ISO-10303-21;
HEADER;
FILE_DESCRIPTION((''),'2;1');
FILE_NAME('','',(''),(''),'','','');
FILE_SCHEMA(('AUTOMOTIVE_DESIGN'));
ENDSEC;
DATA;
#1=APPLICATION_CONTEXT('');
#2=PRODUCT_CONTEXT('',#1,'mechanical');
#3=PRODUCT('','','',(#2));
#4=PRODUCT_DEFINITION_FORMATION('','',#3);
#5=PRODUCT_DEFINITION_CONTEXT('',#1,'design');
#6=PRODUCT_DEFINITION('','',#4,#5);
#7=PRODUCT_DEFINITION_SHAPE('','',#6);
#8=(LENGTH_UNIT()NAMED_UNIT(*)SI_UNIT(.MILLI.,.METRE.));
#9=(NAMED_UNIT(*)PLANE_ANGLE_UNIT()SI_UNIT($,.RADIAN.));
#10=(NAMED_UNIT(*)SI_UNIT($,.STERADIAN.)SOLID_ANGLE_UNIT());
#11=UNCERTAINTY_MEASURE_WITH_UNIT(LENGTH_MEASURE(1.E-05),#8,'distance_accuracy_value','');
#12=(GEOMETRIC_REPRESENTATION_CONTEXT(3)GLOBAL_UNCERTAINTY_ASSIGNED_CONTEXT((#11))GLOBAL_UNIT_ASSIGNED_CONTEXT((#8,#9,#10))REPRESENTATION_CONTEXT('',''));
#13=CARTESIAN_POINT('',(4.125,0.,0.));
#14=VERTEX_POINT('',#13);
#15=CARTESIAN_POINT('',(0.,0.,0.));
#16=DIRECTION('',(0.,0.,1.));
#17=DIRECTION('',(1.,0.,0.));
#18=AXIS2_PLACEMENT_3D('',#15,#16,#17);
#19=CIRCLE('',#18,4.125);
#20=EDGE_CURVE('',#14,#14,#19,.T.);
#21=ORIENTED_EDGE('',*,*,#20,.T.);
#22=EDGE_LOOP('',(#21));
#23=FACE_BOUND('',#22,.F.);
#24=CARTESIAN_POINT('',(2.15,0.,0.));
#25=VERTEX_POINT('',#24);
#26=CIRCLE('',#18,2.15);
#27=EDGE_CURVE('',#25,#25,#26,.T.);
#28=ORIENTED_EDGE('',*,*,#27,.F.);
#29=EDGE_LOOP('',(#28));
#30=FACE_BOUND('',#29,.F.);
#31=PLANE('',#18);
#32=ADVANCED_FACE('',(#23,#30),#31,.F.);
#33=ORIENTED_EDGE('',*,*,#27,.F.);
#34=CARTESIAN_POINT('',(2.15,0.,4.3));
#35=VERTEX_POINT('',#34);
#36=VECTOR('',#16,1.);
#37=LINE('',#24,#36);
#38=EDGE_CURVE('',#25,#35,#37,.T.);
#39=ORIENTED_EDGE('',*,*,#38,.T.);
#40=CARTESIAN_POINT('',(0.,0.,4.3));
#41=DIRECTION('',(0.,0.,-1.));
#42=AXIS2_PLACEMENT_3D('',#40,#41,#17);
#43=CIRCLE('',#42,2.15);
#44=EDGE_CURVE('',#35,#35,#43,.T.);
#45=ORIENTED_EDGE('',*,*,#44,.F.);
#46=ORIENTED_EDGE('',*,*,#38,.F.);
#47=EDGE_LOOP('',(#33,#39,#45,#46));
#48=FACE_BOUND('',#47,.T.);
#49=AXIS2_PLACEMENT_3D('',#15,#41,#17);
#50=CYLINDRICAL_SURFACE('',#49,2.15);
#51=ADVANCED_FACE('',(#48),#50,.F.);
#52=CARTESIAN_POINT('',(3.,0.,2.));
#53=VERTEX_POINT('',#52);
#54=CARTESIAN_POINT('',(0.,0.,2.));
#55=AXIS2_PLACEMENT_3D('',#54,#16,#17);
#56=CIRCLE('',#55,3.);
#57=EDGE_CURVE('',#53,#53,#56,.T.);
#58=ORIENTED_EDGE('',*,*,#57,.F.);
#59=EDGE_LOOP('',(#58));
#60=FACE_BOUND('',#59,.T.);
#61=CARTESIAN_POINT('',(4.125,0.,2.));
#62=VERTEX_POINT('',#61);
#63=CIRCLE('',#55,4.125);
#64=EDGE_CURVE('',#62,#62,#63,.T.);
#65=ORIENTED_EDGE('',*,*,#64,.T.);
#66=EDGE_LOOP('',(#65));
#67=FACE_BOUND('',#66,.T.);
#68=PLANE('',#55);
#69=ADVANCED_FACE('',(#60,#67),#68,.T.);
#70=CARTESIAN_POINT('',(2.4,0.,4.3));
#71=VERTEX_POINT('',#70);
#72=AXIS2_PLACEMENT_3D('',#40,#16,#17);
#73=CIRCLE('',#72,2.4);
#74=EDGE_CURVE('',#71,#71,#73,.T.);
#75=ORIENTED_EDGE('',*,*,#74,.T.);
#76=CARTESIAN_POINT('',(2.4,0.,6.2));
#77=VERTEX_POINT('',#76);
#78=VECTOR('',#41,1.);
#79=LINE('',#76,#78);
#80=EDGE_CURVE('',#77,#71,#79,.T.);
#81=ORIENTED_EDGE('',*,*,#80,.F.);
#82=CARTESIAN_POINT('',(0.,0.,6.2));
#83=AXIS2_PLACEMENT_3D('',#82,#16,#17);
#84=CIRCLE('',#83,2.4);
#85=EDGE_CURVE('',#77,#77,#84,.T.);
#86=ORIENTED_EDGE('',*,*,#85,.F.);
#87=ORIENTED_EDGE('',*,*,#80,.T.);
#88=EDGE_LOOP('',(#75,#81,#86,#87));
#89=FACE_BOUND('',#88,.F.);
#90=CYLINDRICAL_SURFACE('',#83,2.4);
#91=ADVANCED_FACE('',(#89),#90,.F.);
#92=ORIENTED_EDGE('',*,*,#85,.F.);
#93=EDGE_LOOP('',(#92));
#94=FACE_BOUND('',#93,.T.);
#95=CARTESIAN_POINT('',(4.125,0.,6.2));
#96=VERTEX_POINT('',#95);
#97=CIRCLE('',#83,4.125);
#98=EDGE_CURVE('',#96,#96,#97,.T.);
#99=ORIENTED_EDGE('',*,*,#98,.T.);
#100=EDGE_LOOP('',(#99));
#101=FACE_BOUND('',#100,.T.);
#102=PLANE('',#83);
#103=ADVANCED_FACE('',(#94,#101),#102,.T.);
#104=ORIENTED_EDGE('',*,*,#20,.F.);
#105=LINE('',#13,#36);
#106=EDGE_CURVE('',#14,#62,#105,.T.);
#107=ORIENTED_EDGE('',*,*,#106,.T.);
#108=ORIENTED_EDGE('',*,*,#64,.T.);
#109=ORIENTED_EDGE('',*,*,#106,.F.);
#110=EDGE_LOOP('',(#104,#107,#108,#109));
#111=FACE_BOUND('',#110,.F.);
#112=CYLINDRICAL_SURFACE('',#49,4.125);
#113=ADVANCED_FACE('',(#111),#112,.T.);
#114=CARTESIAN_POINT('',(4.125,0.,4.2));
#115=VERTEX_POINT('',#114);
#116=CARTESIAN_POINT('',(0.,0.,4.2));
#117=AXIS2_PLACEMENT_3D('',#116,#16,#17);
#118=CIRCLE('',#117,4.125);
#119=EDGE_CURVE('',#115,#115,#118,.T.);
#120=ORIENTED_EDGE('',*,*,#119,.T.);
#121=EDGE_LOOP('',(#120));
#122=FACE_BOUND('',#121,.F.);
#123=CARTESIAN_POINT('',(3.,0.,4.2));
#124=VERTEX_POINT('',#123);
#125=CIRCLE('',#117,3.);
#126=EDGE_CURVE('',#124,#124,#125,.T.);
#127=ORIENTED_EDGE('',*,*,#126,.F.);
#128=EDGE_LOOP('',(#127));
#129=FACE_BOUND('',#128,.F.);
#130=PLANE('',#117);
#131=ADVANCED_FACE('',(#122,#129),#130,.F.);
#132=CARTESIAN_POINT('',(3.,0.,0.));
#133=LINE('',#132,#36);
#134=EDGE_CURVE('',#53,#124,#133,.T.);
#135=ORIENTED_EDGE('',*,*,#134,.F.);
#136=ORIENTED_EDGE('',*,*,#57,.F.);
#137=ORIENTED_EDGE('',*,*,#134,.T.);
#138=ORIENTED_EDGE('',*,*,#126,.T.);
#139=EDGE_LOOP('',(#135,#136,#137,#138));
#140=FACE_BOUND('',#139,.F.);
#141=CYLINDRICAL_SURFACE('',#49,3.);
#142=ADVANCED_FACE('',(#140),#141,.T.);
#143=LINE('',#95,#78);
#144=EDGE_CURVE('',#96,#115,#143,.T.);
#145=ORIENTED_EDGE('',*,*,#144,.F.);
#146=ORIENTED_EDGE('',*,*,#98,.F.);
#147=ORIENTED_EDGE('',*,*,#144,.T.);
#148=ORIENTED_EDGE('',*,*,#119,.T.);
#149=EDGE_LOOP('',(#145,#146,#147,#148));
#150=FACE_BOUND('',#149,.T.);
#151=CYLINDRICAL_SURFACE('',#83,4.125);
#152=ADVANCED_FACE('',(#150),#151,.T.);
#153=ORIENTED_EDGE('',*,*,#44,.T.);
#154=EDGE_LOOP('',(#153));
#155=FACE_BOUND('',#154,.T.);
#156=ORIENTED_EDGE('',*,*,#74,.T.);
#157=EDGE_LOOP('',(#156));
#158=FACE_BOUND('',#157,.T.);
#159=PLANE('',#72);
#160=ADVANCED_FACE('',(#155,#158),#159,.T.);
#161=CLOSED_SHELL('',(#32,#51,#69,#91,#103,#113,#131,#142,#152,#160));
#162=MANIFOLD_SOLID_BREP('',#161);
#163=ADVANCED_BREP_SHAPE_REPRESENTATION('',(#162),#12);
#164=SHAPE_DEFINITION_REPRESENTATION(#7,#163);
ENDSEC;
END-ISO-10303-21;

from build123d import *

# Parameters (mm, degrees)
F0_R     = 4.125
F0_R_2   = 3
F1_DEPTH = 2
F0_R_3   = 2.15
F2_DEPTH = 6.2
F3_R     = 4.125
F3_R_2   = 3
F4_DEPTH = 2
F3_R_3   = 2.4
F3_R_4   = 2.15
F5_DEPTH = 1.9


with BuildPart() as f1:
    # F0 (on Top) → F1 (new body)
    with BuildSketch(Plane.XY):
        Circle(F0_R)
        Circle(F0_R_2, mode=Mode.SUBTRACT)
    extrude(amount=F1_DEPTH)

    # F0 (on Top) → F2 (join)
    with BuildSketch(Plane.XY):
        Circle(F0_R_2)
        Circle(F0_R_3, mode=Mode.SUBTRACT)
    extrude(amount=F2_DEPTH)

    # F3 (on face) → F4 (join)
    with BuildSketch(Plane.XY.offset(6.2)):
        Circle(F3_R)
        Circle(F3_R_2, mode=Mode.SUBTRACT)
    extrude(amount=-F4_DEPTH)

    # F3 (on face) → F5 (cut)
    with BuildSketch(Plane.XY.offset(6.2)):
        Circle(F3_R_3)
        Circle(F3_R_4, mode=Mode.SUBTRACT)
        Circle(F3_R_4)
    extrude(amount=-F5_DEPTH, mode=Mode.SUBTRACT)


solid = f1.part
